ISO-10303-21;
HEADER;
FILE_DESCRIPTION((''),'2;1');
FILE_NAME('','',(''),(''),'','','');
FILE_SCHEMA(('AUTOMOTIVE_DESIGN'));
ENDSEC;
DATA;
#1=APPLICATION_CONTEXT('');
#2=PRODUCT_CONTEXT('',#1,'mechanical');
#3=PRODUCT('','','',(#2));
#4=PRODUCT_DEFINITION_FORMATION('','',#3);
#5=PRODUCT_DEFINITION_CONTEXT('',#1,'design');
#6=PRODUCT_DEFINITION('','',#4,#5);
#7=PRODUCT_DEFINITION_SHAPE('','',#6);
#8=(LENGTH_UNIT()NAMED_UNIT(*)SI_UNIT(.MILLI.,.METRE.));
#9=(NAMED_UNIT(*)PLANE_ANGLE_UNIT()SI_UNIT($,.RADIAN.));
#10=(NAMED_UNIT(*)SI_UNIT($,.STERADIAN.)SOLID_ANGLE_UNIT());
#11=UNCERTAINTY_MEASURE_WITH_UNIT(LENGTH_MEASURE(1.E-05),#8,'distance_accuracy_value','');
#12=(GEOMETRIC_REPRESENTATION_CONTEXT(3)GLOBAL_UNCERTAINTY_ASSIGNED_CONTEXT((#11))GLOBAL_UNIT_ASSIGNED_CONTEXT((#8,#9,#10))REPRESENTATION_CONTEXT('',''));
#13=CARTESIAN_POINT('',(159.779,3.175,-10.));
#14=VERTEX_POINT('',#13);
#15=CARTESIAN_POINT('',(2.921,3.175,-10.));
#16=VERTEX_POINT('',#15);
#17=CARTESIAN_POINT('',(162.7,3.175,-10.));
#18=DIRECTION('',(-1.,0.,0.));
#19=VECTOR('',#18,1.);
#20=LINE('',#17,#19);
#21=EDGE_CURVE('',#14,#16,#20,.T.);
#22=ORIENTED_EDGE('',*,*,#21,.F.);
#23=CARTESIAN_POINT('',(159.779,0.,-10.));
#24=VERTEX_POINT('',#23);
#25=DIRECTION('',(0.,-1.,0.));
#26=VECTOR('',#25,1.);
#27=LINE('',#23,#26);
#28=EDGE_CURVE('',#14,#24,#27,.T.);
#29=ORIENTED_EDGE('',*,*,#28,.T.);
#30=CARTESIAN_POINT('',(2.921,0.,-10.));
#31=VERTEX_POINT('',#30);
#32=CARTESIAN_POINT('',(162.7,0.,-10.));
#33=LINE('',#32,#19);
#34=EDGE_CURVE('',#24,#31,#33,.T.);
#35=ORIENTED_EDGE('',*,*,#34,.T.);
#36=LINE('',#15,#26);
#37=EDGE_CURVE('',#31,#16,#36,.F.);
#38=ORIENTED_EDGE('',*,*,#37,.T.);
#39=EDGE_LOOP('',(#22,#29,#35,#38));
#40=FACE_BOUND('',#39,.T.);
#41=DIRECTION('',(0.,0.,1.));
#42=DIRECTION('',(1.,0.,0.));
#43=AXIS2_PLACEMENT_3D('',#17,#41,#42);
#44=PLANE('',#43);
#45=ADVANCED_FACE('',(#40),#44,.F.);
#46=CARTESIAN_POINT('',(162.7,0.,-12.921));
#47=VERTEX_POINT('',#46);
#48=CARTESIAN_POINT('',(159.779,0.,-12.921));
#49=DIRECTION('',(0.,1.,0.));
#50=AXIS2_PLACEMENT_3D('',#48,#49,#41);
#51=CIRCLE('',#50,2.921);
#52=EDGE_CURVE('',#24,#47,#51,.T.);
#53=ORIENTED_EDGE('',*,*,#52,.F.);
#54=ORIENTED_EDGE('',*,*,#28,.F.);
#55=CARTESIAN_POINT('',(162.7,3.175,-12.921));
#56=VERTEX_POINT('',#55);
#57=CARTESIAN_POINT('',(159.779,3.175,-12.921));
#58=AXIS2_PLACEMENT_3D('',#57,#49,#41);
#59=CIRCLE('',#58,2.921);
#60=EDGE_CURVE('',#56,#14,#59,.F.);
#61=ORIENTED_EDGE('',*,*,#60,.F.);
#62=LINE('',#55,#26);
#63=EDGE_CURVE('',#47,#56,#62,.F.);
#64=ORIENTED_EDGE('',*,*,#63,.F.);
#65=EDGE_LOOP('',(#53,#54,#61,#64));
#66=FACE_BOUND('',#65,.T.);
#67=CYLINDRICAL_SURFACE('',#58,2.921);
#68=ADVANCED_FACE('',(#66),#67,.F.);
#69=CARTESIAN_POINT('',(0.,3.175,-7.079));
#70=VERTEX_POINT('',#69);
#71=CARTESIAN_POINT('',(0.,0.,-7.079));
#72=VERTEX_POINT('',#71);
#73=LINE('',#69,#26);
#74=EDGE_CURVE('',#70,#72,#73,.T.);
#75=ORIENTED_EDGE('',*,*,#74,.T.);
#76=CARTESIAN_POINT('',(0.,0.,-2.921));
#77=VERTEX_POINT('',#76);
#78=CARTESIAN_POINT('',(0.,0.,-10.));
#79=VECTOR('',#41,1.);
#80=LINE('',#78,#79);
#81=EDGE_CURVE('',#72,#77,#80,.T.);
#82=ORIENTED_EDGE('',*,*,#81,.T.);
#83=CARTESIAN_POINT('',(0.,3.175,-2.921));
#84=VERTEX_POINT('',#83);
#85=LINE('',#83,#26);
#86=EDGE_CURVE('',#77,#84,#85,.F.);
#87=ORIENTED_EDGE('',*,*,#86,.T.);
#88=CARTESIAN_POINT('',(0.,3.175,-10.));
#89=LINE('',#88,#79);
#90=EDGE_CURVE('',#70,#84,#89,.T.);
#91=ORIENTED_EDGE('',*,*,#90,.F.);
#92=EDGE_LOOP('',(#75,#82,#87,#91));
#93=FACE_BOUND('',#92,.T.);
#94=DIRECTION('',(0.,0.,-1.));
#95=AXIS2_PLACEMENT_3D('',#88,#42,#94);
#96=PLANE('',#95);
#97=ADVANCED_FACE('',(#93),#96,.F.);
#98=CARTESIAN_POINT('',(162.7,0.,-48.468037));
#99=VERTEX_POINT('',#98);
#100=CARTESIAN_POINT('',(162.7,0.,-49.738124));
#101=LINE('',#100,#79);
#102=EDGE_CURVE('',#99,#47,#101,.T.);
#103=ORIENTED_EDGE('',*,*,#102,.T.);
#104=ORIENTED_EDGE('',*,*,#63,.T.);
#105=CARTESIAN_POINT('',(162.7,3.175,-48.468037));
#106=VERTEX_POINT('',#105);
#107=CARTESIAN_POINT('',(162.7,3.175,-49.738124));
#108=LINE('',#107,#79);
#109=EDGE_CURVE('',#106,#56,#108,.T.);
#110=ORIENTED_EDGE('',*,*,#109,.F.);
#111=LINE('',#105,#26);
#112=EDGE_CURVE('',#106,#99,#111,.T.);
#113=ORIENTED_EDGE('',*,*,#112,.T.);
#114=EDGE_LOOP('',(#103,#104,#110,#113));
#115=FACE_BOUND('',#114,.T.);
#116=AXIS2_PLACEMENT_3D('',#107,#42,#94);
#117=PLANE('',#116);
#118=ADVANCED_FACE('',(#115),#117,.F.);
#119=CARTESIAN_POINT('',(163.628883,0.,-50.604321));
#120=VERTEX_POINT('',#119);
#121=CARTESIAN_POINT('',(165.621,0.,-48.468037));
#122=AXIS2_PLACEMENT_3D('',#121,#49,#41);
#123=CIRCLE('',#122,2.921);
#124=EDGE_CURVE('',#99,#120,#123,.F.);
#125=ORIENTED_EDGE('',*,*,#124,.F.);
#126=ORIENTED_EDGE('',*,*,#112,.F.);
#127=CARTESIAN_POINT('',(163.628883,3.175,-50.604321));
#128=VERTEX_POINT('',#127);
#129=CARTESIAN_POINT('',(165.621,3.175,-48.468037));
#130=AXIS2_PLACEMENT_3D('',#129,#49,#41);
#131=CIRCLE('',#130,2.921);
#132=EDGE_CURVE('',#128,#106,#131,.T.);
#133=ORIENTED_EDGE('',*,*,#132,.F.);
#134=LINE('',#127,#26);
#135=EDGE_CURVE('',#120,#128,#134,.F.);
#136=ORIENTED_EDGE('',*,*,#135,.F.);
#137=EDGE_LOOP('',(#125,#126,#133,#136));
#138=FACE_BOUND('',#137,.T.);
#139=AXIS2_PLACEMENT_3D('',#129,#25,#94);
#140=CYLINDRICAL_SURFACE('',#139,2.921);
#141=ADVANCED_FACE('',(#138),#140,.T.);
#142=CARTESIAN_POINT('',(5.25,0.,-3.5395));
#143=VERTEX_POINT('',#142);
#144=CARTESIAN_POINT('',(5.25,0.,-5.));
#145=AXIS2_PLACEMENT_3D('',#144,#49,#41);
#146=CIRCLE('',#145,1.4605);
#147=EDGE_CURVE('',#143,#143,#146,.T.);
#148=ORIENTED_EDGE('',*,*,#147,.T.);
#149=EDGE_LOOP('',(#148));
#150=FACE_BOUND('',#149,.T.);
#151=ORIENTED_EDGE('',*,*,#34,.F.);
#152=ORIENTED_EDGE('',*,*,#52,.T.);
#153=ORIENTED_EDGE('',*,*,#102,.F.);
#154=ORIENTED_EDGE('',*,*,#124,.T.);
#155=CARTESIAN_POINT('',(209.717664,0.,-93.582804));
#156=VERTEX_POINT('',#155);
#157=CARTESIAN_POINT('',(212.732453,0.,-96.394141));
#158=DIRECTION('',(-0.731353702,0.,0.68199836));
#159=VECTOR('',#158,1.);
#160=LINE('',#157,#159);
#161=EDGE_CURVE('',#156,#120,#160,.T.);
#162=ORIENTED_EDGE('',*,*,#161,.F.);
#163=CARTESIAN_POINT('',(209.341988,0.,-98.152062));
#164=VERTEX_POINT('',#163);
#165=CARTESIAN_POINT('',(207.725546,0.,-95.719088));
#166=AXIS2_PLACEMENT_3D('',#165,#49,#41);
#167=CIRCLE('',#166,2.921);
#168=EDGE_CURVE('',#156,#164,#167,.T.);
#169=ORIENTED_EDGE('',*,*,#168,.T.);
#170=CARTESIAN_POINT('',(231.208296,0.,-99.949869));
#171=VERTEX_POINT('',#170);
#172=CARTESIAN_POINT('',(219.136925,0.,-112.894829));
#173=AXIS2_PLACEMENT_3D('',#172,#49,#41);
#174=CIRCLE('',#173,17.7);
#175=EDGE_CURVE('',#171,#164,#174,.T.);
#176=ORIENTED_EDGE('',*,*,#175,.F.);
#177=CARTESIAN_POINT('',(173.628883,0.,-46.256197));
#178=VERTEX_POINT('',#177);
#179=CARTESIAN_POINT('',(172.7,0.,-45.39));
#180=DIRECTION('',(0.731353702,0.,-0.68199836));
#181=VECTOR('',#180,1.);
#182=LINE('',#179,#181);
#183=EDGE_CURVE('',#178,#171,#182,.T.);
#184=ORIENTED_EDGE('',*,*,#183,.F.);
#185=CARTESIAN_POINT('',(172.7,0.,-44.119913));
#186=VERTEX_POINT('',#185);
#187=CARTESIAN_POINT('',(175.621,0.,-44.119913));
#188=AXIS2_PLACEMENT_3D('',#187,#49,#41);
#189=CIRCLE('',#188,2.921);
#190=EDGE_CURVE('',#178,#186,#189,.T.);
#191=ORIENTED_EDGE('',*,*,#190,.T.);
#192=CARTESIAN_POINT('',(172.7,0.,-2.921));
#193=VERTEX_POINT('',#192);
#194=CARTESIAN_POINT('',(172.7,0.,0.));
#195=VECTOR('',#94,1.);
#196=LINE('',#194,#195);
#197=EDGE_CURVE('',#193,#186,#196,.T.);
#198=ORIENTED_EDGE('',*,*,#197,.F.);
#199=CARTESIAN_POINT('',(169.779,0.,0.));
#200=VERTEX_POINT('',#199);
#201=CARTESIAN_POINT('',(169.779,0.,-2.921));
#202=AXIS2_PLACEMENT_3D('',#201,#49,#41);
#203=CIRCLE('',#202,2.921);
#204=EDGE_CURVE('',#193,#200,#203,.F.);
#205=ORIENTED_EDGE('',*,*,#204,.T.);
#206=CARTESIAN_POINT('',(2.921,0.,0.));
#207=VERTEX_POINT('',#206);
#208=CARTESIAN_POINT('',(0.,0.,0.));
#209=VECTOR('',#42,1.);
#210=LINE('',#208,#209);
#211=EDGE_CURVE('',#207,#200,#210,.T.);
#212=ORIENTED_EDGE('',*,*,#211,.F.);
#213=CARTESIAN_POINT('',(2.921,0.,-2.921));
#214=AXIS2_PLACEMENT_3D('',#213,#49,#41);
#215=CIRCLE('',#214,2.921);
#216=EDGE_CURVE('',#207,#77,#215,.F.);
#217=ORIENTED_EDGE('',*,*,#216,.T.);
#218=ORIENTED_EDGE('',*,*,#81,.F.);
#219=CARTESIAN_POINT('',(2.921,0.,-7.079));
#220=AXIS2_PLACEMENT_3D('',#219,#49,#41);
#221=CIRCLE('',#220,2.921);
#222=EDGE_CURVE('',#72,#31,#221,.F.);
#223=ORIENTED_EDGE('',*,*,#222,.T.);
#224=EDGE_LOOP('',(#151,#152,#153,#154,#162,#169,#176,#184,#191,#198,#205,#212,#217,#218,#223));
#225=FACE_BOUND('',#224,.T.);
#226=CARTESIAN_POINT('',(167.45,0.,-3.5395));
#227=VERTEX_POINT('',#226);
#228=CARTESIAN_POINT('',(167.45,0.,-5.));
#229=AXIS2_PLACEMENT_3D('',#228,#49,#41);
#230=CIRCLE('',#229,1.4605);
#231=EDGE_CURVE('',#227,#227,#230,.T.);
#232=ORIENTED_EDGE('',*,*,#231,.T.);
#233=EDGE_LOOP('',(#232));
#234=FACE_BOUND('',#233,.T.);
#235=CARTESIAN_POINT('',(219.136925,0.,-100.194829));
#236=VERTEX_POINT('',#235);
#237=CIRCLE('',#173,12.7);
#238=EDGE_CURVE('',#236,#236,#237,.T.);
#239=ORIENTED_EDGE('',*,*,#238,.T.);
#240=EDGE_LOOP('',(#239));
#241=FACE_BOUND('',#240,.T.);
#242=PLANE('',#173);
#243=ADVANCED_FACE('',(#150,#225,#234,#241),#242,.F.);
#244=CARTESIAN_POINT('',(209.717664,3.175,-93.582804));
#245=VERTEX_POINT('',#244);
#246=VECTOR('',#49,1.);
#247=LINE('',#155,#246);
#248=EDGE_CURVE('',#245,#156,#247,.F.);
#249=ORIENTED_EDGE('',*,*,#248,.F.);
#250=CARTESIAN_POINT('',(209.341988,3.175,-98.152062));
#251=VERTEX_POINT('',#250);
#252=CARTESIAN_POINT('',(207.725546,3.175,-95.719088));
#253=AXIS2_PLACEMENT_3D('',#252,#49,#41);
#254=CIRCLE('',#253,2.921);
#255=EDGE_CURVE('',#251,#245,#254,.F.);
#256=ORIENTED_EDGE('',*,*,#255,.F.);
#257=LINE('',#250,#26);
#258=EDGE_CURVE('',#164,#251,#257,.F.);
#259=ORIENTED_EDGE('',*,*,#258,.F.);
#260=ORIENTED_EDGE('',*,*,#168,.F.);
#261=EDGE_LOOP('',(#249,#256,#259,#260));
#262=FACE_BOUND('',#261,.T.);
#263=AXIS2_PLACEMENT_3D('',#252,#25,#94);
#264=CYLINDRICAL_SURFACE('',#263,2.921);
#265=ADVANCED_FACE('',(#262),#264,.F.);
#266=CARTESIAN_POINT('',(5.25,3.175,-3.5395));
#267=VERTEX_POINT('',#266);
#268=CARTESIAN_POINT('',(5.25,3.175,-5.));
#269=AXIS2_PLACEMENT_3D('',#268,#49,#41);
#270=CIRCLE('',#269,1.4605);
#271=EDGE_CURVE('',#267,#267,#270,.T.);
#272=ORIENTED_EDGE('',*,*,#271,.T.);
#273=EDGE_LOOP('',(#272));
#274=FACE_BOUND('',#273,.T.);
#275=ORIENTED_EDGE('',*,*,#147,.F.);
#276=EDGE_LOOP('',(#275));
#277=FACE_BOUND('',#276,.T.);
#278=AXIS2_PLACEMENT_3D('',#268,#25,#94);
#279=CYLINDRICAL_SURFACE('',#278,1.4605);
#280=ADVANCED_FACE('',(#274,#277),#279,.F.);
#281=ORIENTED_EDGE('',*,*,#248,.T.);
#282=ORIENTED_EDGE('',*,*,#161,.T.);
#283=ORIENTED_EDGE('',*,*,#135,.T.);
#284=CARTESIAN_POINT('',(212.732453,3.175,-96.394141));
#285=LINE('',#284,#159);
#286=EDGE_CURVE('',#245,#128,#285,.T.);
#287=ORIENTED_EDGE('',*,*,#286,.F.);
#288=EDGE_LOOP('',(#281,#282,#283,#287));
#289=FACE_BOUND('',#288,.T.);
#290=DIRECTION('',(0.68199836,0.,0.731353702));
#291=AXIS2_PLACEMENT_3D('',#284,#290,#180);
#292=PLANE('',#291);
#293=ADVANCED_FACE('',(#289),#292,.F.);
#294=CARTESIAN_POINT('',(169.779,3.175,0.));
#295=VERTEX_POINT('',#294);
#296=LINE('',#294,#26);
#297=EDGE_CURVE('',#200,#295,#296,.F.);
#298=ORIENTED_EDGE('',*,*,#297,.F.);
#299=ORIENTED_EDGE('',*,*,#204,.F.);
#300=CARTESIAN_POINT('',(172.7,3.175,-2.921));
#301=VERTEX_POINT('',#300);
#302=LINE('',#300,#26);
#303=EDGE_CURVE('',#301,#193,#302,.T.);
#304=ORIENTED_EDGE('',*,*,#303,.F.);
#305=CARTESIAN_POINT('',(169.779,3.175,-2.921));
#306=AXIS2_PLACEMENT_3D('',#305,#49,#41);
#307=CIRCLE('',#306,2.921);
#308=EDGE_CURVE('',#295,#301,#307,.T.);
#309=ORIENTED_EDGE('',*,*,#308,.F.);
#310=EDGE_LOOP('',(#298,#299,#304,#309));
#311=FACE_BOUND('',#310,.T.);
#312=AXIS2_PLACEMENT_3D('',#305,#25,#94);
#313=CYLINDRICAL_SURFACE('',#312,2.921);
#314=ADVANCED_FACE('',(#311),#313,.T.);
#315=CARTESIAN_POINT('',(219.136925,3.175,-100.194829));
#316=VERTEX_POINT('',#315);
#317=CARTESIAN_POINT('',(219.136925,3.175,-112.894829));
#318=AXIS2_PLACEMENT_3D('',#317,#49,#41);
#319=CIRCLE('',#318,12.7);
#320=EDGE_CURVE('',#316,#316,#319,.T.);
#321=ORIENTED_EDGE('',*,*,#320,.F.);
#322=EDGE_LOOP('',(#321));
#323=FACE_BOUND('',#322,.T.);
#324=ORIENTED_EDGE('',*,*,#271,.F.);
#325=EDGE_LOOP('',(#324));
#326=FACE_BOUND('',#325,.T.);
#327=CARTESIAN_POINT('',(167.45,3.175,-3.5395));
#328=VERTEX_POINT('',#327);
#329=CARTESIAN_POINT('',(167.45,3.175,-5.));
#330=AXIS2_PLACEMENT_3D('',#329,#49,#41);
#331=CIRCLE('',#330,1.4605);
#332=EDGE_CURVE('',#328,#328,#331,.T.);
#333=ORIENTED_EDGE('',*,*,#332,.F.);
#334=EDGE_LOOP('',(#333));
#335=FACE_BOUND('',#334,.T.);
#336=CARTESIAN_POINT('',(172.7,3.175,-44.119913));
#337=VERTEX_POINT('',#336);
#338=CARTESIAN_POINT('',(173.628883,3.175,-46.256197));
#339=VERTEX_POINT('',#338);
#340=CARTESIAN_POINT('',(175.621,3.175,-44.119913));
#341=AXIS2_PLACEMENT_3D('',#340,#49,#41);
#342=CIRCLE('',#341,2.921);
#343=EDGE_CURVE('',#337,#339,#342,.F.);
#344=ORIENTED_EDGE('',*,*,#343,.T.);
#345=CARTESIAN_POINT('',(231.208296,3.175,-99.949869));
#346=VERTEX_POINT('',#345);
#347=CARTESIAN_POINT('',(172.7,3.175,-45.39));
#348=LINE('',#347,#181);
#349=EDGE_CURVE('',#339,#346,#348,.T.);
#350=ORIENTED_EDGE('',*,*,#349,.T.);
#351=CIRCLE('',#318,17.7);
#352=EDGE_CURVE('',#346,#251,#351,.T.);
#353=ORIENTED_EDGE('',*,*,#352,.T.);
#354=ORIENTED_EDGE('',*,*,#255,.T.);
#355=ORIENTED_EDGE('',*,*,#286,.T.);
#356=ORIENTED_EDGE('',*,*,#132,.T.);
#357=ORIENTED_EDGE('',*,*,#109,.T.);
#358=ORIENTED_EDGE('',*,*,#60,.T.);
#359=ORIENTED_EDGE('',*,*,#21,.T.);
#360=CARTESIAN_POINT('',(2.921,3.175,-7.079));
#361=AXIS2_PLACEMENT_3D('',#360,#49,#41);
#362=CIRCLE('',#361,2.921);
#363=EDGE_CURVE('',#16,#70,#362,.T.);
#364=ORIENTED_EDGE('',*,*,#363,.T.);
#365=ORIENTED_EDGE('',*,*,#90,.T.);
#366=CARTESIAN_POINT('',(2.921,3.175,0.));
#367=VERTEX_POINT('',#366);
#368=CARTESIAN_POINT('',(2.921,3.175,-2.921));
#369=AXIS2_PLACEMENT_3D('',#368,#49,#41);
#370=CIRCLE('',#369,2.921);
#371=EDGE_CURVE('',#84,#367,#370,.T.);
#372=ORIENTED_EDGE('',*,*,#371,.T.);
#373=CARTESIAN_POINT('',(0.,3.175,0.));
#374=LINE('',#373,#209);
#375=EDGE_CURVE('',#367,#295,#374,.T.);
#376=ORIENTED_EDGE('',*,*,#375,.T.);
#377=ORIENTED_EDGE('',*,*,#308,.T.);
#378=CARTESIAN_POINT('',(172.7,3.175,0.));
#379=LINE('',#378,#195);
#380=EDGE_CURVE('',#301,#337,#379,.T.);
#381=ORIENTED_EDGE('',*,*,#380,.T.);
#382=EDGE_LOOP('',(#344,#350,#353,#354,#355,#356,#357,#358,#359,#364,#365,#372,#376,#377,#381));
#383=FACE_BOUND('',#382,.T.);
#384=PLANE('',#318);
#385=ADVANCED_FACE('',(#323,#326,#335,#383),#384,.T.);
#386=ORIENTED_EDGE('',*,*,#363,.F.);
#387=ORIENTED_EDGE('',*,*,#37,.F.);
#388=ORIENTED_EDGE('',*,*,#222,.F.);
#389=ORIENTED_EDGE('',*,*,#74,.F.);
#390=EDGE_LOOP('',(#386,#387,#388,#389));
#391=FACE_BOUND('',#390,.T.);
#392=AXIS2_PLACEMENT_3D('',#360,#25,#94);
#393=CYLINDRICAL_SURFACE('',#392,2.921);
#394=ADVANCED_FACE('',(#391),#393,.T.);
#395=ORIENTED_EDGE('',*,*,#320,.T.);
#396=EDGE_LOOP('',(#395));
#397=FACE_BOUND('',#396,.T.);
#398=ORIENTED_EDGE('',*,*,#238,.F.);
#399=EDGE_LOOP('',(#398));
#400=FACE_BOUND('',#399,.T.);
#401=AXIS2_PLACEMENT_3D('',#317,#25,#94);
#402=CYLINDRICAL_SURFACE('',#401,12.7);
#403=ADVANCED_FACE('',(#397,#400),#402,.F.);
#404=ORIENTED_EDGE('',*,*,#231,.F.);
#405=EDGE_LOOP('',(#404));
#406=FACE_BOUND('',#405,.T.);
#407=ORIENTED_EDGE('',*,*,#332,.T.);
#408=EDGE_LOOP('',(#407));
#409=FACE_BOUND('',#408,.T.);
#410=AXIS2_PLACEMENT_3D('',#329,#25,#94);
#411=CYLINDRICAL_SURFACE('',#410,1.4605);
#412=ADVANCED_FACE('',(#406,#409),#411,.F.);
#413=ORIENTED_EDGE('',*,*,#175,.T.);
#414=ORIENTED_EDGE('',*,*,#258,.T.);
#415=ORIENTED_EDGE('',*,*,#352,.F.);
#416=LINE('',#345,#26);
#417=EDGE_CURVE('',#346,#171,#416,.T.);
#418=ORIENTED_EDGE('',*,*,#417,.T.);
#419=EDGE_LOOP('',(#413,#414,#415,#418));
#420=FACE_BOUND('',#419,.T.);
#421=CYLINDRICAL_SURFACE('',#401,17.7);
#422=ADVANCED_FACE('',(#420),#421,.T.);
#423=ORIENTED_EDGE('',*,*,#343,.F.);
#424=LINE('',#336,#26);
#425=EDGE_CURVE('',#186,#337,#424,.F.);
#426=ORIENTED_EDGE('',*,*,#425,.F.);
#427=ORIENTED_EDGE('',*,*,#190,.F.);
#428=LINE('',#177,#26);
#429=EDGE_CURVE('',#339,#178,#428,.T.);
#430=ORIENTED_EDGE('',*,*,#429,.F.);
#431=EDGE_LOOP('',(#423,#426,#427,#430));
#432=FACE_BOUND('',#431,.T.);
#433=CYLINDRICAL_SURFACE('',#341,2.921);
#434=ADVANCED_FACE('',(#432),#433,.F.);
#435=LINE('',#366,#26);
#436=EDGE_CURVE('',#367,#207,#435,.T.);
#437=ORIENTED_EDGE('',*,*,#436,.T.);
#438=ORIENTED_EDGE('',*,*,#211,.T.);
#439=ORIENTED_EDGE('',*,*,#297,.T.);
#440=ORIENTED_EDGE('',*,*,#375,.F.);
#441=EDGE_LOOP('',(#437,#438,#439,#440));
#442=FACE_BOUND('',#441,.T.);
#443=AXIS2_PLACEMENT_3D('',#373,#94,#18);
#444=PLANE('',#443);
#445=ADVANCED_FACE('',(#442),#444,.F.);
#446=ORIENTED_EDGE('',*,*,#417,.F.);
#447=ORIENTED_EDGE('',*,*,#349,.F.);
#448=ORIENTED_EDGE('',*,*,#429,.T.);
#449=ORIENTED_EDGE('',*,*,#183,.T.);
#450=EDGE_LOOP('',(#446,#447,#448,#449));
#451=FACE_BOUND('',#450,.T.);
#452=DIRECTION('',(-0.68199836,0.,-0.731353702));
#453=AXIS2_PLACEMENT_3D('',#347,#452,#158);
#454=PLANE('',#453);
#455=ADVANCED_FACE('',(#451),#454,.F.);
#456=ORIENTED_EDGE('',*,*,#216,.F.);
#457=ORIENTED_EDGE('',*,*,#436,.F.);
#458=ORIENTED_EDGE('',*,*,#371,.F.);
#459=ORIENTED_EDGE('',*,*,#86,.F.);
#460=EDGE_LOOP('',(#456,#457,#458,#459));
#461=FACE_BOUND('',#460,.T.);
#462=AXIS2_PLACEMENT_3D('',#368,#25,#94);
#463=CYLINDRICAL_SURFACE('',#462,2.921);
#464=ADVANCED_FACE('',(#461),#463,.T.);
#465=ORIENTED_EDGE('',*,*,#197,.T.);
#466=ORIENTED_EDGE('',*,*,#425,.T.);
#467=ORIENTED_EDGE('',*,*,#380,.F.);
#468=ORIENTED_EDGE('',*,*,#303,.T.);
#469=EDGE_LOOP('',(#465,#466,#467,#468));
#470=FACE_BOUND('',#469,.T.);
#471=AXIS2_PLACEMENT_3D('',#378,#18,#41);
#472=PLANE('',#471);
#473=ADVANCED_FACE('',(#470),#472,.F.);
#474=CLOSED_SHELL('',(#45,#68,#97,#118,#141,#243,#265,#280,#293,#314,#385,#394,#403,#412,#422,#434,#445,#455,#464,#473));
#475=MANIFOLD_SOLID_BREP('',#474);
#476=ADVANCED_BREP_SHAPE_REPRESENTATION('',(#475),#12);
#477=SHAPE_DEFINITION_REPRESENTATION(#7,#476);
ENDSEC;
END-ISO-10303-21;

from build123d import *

# Parameters (mm, degrees)
SKETCH1_R           = 1.4605
SKETCH1_R_2         = 12.7
BOSS_EXTRUDE1_DEPTH = 3.175
FILLET1_R           = 2.921


with BuildPart() as part:
    # Sketch1 → Boss-Extrude1 (new body)
    with BuildSketch(Plane(origin=(0, 0, 0), x_dir=(1, 0, 0), z_dir=(0, 1, 0))):
        with BuildLine():
            Line((0, 0), (172.7, 0))
            Line((172.7, 0), (172.7, 45.39))
            Line((172.7, 45.39), (231.20829613, 99.949868805))
            ThreePointArc((231.20829613, 99.949868805), (215.791893749, 130.275875463), (212.732452536, 96.394140536))
            Line((212.732452536, 96.394140536), (162.7, 49.73812375))
            Line((162.7, 49.73812375), (162.7, 10))
            Line((162.7, 10), (0, 10))
            Line((0, 10), (0, 0))
        make_face()
        with Locations(Location((5.25, 5, 0), (0, 0, 270))):
            Circle(SKETCH1_R, mode=Mode.SUBTRACT)
        with Locations(Location((167.45, 5, 0), (0, 0, 270))):
            Circle(SKETCH1_R, mode=Mode.SUBTRACT)
        with Locations(Location((219.136925156, 112.894829324, 0), (0, 0, 270))):
            Circle(SKETCH1_R_2, mode=Mode.SUBTRACT)
    extrude(amount=BOSS_EXTRUDE1_DEPTH)

    # Fillet1
    fillet1_edges = [part.edges().sort_by_distance(p)[0] for p in [
        (0, 1.5875, -10),
        (162.7, 1.5875, -10),
        (162.7, 1.5875, -49.73812375),
        (212.732452536, 1.5875, -96.394140536),
        (172.7, 1.5875, -45.39),
        (172.7, 1.5875, 0),
        (0, 1.5875, 0),
    ]]
    fillet(fillet1_edges, radius=FILLET1_R)


solid = part.part
